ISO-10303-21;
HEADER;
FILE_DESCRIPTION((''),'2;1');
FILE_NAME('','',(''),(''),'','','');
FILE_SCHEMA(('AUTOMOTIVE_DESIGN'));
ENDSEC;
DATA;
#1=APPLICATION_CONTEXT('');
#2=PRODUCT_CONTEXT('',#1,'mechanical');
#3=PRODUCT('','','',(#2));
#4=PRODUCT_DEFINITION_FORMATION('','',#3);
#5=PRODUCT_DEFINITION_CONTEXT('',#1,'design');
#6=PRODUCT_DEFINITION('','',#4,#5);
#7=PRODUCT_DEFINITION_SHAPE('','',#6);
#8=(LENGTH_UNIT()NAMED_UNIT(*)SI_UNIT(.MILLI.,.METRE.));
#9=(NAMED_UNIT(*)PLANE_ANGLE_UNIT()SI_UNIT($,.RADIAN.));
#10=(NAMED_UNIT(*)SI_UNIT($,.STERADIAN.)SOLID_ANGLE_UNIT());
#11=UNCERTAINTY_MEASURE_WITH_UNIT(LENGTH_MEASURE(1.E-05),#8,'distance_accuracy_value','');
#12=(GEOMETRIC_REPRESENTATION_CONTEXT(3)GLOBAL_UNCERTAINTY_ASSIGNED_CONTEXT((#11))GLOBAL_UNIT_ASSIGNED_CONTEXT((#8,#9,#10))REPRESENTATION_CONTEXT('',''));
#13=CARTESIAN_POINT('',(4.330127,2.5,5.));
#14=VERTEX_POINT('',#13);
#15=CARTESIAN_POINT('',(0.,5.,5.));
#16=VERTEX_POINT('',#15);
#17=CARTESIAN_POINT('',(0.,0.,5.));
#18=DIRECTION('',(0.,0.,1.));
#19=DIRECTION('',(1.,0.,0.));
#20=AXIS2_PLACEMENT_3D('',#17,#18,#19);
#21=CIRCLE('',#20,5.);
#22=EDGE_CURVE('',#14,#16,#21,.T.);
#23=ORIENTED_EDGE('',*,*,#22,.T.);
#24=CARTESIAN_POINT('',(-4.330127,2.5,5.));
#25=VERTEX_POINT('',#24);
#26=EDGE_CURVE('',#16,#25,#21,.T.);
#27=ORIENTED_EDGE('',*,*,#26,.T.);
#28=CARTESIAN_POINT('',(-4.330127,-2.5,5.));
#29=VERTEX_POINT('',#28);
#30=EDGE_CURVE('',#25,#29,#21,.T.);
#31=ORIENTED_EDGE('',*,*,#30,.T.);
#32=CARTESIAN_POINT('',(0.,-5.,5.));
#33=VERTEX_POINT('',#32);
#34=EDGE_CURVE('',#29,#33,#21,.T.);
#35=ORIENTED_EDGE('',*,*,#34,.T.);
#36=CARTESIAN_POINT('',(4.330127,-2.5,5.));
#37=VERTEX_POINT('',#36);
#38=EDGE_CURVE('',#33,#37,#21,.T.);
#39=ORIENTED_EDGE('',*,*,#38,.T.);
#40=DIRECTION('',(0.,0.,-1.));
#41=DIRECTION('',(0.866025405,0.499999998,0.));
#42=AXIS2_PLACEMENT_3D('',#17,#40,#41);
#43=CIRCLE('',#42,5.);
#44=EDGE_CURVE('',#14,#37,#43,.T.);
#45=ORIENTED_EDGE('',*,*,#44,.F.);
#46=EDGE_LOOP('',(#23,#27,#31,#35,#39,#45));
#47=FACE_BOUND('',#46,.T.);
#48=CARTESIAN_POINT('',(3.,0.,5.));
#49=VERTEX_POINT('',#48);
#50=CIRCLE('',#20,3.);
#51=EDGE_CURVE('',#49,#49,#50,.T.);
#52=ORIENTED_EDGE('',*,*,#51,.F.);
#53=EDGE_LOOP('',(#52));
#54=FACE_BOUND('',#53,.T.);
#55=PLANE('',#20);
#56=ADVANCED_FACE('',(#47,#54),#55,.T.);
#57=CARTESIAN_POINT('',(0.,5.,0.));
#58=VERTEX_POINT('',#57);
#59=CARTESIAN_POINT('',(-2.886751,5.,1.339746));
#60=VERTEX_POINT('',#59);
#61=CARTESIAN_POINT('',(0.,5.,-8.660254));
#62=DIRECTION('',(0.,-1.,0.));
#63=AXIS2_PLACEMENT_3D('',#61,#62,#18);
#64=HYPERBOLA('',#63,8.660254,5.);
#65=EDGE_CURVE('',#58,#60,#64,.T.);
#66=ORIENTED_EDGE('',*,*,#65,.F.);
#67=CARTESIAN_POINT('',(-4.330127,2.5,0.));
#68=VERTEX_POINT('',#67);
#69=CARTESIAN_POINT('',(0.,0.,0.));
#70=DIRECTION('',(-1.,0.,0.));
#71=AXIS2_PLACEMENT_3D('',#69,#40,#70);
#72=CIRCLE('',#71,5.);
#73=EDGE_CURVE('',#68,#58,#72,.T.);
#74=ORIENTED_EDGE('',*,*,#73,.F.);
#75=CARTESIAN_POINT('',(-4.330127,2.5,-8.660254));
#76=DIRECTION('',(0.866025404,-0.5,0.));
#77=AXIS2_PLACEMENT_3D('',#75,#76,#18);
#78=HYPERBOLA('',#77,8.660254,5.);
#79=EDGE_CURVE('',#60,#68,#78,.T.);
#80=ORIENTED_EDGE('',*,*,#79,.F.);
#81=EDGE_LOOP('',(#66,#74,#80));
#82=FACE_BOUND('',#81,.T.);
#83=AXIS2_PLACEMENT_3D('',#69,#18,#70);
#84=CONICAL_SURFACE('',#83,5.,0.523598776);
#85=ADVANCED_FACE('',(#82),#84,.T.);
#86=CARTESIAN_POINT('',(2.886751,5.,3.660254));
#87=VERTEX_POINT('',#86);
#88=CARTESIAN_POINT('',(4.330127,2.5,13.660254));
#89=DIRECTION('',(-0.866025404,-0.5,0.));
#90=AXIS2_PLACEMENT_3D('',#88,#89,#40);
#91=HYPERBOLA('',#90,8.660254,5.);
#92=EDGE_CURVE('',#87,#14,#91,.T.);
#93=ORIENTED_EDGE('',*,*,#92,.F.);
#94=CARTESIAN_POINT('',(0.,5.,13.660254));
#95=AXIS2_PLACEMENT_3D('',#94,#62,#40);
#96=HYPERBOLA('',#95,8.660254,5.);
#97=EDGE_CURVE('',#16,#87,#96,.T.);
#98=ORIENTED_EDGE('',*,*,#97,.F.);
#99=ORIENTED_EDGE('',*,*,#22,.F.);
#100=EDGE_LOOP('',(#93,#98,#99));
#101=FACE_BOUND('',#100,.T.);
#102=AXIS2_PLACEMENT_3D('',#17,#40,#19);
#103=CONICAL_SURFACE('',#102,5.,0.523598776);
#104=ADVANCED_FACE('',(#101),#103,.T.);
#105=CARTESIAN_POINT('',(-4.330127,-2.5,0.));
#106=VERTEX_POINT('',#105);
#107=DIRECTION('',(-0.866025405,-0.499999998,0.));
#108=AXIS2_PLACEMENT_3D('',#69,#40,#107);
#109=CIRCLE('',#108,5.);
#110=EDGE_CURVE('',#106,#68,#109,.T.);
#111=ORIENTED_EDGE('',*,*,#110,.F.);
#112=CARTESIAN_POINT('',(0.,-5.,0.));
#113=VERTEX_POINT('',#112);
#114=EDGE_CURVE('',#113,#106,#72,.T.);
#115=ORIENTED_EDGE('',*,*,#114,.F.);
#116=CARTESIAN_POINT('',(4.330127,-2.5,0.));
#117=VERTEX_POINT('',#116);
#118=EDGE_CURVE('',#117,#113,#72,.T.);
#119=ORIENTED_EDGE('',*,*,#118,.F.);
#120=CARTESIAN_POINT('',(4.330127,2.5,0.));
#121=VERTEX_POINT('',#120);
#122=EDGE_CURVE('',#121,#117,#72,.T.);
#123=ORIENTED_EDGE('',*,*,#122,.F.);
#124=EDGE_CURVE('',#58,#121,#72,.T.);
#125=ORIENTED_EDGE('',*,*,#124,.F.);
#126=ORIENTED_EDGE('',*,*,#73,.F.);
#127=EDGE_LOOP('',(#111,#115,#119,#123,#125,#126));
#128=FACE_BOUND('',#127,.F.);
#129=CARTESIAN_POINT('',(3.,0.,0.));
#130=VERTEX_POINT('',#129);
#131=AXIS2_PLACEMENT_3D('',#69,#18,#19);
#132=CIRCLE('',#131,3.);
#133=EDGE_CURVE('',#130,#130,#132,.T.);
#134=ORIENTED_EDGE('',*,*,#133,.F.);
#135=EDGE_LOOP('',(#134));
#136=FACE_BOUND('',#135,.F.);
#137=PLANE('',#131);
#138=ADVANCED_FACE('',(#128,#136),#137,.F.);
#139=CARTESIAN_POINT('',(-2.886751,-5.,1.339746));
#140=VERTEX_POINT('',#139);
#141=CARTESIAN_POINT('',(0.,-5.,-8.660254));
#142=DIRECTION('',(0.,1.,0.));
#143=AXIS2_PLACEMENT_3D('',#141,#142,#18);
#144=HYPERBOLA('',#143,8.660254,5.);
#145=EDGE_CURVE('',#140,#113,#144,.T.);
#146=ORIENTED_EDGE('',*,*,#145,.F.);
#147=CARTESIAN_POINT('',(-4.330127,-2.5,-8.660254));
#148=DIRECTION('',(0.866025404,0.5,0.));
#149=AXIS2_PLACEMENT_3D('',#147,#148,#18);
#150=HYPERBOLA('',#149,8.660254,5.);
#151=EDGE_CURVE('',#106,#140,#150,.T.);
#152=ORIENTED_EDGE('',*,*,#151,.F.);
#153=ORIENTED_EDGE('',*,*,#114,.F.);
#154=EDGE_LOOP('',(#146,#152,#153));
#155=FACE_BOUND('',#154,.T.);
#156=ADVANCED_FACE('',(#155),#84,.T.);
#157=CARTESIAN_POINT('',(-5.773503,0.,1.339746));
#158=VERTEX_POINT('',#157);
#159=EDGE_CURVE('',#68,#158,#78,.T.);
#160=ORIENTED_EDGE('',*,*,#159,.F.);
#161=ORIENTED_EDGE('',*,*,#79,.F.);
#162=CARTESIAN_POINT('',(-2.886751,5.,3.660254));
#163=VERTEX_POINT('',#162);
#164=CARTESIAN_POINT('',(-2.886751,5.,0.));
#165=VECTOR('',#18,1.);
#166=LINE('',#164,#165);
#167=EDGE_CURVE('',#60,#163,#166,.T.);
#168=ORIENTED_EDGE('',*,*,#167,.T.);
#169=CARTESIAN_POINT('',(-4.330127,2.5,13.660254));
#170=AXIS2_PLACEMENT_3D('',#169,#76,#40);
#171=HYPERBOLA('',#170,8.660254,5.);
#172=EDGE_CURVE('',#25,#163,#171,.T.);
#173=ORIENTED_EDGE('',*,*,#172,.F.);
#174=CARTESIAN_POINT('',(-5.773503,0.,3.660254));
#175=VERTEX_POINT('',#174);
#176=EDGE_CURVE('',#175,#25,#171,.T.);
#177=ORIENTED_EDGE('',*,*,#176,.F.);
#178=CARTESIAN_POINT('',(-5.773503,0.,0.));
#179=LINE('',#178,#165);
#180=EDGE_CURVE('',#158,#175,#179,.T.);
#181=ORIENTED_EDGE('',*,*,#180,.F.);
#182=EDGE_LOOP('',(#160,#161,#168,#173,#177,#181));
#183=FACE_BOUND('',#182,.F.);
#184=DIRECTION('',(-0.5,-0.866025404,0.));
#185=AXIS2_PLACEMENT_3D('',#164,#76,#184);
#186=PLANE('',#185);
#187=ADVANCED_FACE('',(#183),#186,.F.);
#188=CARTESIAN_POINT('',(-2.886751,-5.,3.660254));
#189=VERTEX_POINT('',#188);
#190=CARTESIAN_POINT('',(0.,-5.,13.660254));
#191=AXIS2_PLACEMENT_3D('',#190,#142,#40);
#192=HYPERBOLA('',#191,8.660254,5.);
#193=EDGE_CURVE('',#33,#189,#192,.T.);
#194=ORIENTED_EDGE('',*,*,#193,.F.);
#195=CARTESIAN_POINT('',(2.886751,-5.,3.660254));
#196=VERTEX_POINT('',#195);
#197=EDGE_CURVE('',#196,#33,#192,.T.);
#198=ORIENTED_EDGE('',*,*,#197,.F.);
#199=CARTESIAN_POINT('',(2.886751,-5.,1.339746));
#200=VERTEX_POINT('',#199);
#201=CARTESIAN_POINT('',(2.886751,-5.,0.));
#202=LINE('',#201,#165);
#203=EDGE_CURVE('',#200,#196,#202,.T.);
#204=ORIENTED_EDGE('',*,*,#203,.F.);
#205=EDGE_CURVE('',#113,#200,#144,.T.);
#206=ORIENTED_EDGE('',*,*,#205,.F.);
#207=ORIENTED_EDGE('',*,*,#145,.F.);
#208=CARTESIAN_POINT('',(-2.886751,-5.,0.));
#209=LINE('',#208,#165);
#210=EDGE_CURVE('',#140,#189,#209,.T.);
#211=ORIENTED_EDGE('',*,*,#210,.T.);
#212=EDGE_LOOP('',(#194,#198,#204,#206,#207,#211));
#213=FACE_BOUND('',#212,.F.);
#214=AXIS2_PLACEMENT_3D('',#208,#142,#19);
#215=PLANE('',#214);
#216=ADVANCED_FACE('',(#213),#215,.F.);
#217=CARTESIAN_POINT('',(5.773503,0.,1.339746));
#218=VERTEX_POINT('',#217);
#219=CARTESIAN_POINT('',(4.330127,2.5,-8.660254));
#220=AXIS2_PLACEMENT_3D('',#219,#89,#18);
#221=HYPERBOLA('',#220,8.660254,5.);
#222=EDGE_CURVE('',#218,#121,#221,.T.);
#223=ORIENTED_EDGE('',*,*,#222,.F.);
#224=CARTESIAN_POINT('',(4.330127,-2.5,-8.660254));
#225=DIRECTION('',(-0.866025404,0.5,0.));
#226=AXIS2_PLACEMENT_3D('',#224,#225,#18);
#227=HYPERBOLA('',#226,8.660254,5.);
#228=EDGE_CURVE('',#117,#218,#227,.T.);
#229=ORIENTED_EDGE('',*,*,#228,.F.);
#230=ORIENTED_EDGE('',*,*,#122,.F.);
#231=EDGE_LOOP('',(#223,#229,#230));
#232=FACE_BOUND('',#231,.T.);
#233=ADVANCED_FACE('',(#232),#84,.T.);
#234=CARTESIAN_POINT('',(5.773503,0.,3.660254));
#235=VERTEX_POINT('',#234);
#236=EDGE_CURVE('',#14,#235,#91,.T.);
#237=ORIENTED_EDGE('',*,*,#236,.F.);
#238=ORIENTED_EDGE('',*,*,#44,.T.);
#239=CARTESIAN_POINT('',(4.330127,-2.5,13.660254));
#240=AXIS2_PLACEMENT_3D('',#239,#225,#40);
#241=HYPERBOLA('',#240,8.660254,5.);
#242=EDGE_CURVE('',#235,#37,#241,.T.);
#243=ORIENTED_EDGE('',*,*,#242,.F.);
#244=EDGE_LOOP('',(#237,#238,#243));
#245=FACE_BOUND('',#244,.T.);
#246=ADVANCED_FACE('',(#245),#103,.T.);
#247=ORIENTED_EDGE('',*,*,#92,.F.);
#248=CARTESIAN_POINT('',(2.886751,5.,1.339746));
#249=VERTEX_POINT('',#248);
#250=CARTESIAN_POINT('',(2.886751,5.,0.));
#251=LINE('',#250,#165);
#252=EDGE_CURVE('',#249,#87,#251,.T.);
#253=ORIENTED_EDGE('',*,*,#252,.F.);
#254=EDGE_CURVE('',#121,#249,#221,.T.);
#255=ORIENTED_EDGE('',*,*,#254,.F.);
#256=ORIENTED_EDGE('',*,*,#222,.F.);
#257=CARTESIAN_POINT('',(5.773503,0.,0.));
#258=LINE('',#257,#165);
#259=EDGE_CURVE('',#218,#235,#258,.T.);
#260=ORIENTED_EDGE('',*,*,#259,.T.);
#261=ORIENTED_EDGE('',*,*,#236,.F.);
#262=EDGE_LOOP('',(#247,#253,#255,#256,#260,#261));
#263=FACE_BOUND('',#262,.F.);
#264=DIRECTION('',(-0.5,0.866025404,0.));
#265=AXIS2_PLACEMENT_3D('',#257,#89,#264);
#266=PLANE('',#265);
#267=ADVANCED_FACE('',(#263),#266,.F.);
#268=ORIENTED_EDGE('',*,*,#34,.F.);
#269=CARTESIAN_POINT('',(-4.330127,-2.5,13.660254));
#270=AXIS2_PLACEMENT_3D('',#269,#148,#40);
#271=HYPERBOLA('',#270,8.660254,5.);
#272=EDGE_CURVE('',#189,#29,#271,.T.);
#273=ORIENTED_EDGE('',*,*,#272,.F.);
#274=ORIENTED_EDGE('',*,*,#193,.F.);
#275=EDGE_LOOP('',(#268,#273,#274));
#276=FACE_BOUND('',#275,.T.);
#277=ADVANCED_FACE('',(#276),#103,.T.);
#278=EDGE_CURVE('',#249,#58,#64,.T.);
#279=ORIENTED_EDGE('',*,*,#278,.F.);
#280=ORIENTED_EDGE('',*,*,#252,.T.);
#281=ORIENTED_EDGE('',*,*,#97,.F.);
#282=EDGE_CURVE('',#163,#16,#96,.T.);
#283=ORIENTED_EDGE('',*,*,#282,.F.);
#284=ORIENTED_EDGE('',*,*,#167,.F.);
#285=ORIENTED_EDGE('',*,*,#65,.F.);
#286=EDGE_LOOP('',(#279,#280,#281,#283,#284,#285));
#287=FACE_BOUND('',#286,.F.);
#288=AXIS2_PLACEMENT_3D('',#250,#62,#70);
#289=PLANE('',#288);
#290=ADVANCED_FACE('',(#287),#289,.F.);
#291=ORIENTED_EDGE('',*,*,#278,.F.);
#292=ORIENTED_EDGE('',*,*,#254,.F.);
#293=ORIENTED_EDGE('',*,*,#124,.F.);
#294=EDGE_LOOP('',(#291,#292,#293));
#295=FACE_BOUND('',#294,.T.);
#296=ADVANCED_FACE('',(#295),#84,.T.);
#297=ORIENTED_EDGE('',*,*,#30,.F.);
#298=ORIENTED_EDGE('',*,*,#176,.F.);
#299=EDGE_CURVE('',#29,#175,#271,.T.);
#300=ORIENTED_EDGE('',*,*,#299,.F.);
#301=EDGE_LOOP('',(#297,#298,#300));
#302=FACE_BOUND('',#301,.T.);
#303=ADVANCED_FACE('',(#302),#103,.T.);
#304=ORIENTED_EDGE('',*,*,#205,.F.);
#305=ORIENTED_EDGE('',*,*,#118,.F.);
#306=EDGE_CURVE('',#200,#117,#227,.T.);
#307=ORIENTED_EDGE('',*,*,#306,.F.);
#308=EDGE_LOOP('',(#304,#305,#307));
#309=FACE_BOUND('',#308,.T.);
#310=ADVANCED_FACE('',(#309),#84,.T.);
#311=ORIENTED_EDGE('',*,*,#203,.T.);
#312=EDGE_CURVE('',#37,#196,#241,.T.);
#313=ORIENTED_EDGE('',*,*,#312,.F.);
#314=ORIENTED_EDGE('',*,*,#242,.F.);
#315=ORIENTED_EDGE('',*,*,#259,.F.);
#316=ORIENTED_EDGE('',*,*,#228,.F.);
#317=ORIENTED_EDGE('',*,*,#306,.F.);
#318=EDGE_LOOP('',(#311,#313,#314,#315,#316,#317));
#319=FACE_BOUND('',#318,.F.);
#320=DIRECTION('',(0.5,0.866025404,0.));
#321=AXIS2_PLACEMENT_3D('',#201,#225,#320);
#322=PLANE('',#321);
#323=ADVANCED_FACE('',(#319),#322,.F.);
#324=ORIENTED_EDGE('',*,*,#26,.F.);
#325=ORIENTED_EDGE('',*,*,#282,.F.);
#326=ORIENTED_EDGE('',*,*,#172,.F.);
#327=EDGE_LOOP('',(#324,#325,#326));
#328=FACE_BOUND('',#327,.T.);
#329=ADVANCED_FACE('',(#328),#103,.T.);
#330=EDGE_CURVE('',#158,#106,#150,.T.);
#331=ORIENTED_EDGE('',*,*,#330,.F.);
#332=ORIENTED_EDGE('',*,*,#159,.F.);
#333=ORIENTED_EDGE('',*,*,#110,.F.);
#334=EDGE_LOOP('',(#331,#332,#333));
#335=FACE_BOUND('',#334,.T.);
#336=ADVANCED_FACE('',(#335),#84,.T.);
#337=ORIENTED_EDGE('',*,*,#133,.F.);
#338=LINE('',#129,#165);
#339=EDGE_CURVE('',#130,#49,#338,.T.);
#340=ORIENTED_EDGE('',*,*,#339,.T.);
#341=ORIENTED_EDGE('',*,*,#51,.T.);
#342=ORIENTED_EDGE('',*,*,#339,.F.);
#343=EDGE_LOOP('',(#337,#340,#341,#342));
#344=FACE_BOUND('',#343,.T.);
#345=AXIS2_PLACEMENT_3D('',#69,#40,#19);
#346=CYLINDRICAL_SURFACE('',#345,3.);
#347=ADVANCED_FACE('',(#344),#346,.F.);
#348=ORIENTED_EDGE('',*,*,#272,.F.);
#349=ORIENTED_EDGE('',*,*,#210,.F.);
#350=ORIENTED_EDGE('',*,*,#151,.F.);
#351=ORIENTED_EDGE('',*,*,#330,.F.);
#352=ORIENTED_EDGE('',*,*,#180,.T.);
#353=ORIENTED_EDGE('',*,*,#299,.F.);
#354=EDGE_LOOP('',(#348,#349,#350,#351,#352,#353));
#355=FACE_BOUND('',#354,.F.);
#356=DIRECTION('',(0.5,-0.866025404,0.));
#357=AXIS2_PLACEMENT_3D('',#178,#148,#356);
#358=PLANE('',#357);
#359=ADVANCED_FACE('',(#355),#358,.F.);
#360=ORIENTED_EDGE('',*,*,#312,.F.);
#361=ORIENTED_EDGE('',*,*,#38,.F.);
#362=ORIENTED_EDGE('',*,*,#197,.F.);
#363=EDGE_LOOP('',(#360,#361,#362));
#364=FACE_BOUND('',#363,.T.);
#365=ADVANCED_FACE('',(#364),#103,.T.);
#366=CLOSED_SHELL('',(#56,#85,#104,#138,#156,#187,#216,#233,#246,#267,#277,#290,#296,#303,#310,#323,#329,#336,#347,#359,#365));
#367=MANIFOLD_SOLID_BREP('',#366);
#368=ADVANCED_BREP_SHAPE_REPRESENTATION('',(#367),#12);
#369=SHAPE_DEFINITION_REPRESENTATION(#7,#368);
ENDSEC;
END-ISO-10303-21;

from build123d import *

# Parameters (mm, degrees)
CROQUIS1_R              = 3
SALIENTE_EXTRUIR1_DEPTH = 5
CROQUIS2_OUTSIDE_W      = 22.536
CROQUIS2_OUTSIDE_H      = 20.988
CROQUIS2_OUTSIDE_R      = 5
CORTAR_EXTRUIR1_DEPTH   = 5
CORTAR_EXTRUIR1_DRAFT   = -30
CROQUIS3_OUTSIDE_W      = 22.536
CROQUIS3_OUTSIDE_H      = 20.988
CROQUIS3_OUTSIDE_R      = 5
CORTAR_EXTRUIR2_DEPTH   = 5
CORTAR_EXTRUIR2_DRAFT   = -30


with BuildPart() as part:
    # Croquis1 → Saliente-Extruir1 (new body)
    with BuildSketch(Plane.XY):
        Polygon((5.773502692, 0), (2.886751346, 5), (-2.886751346, 5), (-5.773502692, 0), (-2.886751346, -5), (2.886751346, -5), align=None)
        Circle(CROQUIS1_R, mode=Mode.SUBTRACT)
    extrude(amount=SALIENTE_EXTRUIR1_DEPTH)


with BuildPart() as cortar_extruir1_tool:
    # Croquis2 outside → Cortar-Extruir1 (with draft: the straight prism first)
    with BuildSketch(Plane.XY.offset(5)):
        Rectangle(CROQUIS2_OUTSIDE_W, CROQUIS2_OUTSIDE_H)
        Circle(CROQUIS2_OUTSIDE_R, mode=Mode.SUBTRACT)
    extrude(amount=-CORTAR_EXTRUIR1_DEPTH)
    # Cortar-Extruir1: the draft: its side faces are tilted about the plane it starts from
    cortar_extruir1_sides = [cortar_extruir1_tool.faces().sort_by_distance(p)[0] for p in [
        (0, -10.494, 2.5),
        (11.268, 0, 2.5),
        (0, 10.494, 2.5),
        (-11.268, 0, 2.5),
        (-5, 0, 2.5),
    ]]
    draft(cortar_extruir1_sides, Plane.XY.offset(5), CORTAR_EXTRUIR1_DRAFT)


with BuildPart() as part_1:
    add(part.part)

    # Cortar-Extruir1: cut by cortar_extruir1_tool
    add(cortar_extruir1_tool.part, mode=Mode.SUBTRACT)


with BuildPart() as cortar_extruir2_tool:
    # Croquis3 outside → Cortar-Extruir2 (with draft: the straight prism first)
    with BuildSketch(Plane(origin=(0, 0, 0), x_dir=(-1, 0, 0), z_dir=(0, 0, -1))):
        Rectangle(CROQUIS3_OUTSIDE_W, CROQUIS3_OUTSIDE_H)
        Circle(CROQUIS3_OUTSIDE_R, mode=Mode.SUBTRACT)
    extrude(amount=-CORTAR_EXTRUIR2_DEPTH)
    # Cortar-Extruir2: the draft: its side faces are tilted about the plane it starts from
    cortar_extruir2_sides = [cortar_extruir2_tool.faces().sort_by_distance(p)[0] for p in [
        (0, -10.494, 2.5),
        (-11.268, 0, 2.5),
        (0, 10.494, 2.5),
        (11.268, 0, 2.5),
        (5, 0, 2.5),
    ]]
    draft(cortar_extruir2_sides, Plane(origin=(0, 0, 0), x_dir=(-1, 0, 0), z_dir=(0, 0, -1)), CORTAR_EXTRUIR2_DRAFT)


with BuildPart() as part_2:
    add(part_1.part)

    # Cortar-Extruir2: cut by cortar_extruir2_tool
    add(cortar_extruir2_tool.part, mode=Mode.SUBTRACT)


solid = part_2.part
